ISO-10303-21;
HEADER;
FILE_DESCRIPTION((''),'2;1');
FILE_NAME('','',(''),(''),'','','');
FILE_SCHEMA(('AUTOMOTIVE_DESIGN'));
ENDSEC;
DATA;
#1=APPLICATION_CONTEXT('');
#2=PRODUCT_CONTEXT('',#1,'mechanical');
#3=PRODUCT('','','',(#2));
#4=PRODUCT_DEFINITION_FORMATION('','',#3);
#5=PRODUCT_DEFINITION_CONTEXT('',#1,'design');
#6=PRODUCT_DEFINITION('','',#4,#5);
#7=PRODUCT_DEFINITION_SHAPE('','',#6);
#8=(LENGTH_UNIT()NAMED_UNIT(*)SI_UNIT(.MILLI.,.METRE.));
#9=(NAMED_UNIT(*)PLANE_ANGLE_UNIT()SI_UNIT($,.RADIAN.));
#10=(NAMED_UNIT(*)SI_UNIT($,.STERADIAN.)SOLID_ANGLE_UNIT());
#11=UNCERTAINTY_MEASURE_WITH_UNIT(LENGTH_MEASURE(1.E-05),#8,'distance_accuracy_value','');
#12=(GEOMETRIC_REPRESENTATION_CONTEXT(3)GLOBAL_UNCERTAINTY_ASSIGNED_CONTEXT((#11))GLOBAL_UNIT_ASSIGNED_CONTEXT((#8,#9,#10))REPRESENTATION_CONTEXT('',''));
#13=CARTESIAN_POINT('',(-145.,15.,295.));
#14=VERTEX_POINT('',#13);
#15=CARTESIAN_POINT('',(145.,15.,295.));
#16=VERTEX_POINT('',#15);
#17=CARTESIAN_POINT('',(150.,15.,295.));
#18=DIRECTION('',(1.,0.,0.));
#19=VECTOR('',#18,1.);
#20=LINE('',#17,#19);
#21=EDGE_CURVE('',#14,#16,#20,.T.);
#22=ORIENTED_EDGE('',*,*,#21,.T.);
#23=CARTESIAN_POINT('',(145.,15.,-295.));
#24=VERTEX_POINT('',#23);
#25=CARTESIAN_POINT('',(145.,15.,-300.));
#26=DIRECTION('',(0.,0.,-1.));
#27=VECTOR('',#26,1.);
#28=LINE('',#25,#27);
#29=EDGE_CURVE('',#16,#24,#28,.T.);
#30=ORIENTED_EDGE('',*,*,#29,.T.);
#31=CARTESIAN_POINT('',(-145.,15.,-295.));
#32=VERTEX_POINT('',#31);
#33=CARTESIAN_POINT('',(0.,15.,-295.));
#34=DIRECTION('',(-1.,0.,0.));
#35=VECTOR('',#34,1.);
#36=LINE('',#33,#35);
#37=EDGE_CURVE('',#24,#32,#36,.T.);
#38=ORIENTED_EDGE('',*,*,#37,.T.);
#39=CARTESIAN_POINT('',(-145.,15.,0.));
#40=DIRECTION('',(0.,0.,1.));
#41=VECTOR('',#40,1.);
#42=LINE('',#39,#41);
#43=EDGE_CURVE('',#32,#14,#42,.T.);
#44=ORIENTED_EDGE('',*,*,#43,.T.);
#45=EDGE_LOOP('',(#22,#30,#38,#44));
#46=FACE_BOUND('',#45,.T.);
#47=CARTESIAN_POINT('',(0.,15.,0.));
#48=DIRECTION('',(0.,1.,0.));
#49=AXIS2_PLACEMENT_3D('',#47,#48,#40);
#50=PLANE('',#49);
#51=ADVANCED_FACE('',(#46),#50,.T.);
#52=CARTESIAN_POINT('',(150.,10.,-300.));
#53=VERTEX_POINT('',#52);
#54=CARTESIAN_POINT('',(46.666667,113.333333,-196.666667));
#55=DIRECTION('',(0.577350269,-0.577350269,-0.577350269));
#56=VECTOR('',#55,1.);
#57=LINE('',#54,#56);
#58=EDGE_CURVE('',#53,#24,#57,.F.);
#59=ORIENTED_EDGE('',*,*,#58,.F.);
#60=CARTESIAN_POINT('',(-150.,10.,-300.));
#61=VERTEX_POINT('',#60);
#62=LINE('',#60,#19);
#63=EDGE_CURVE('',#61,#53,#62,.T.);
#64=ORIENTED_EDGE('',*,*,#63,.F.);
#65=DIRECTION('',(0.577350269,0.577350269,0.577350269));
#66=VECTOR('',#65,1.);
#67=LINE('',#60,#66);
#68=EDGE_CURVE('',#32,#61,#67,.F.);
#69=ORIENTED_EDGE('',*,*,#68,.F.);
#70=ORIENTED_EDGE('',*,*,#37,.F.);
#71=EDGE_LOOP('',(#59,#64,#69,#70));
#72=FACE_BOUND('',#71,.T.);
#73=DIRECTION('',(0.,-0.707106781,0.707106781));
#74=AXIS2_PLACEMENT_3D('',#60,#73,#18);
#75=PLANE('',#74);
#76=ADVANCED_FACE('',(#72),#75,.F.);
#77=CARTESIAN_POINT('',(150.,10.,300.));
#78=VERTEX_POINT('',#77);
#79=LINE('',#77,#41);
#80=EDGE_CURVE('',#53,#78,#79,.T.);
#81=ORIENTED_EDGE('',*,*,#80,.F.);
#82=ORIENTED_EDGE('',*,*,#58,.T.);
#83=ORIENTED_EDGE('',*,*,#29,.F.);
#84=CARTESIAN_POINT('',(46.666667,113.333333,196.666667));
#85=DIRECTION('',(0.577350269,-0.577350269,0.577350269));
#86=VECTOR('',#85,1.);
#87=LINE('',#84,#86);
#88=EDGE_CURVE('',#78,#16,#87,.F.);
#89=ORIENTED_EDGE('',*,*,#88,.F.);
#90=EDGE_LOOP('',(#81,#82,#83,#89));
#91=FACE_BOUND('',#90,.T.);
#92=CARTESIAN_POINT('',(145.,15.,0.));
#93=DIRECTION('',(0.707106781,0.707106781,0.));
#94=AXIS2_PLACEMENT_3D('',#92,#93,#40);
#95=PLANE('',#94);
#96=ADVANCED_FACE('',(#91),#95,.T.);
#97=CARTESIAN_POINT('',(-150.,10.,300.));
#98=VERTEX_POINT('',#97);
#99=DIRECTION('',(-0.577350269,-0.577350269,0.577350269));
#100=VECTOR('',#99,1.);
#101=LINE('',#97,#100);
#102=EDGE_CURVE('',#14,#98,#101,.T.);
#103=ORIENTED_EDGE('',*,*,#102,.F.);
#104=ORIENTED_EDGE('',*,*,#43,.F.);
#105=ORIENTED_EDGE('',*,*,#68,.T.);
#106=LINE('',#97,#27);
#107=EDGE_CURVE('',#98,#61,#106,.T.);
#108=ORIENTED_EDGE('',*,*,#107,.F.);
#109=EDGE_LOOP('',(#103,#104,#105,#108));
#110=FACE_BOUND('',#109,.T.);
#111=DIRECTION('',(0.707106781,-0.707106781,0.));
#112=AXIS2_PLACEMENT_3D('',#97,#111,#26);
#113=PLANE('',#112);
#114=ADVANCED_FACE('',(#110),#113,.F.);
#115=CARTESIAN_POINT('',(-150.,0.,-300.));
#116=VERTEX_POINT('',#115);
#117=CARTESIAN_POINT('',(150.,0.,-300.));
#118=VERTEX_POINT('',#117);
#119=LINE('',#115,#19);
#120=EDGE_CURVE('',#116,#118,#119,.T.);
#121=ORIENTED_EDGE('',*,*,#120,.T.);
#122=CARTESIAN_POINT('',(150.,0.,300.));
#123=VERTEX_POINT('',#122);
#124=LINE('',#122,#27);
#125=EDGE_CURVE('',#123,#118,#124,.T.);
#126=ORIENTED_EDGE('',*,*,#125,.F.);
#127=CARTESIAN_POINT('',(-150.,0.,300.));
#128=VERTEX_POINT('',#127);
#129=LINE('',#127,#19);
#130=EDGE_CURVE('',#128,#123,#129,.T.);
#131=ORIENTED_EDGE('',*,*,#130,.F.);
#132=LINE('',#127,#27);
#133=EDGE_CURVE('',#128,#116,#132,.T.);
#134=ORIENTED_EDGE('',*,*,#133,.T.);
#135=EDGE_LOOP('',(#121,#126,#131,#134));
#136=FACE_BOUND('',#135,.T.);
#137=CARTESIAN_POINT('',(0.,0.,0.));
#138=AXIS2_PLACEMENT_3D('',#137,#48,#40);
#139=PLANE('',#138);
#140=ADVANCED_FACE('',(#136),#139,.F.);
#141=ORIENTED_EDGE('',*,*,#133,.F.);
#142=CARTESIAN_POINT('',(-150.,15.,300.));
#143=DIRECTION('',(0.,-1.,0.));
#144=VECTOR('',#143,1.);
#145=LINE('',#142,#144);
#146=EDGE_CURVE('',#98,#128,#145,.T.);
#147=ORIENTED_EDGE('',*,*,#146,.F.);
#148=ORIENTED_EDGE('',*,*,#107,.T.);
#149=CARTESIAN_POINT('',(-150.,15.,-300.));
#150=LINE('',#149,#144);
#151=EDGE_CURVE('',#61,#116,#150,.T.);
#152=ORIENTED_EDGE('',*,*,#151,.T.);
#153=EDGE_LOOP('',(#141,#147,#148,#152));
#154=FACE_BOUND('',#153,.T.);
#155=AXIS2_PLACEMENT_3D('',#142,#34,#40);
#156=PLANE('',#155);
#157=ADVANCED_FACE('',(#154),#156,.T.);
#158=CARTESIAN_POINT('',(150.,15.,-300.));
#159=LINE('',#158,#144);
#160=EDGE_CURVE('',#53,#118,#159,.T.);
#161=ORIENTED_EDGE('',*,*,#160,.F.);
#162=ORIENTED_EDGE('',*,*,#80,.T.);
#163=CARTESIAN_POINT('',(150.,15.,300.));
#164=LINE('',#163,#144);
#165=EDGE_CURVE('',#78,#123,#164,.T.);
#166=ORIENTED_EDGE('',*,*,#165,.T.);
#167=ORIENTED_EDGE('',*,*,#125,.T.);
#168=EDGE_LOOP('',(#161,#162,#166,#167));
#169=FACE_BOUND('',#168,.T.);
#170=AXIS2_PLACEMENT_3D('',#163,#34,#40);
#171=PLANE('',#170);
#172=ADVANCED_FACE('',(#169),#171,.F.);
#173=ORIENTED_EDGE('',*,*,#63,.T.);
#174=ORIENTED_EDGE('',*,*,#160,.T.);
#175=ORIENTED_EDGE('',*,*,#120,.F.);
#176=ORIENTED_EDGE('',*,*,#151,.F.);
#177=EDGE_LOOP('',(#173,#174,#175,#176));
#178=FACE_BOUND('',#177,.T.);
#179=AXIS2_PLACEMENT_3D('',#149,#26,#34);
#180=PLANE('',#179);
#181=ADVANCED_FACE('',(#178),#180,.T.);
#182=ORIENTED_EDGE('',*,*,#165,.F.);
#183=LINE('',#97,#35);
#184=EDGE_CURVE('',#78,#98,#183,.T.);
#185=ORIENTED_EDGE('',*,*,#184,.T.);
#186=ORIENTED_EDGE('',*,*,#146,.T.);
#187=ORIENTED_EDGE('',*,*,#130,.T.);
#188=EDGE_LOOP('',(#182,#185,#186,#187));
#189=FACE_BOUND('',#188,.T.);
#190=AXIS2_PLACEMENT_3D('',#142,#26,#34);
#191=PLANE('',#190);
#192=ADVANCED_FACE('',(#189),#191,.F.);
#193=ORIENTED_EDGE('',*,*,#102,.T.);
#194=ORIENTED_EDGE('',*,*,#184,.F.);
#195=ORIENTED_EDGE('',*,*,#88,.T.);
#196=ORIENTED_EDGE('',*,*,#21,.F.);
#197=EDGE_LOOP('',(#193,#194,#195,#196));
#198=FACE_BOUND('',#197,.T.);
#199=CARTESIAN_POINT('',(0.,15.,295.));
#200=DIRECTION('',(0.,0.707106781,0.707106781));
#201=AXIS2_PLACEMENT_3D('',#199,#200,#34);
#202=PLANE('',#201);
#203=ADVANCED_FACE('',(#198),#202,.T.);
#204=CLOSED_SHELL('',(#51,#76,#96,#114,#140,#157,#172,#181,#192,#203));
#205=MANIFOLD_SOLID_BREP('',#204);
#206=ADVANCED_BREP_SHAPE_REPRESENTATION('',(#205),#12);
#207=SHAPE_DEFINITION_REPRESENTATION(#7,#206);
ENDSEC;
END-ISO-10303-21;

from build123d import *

# Parameters (mm, degrees)
SKETCH1_W           = 300
SKETCH1_H           = 600
BOSS_EXTRUDE1_DEPTH = 15
CHAMFER1_SIZE       = 5


with BuildPart() as part:
    # Sketch1 → Boss-Extrude1 (new body)
    with BuildSketch(Plane(origin=(0, 0, 0), x_dir=(1, 0, 0), z_dir=(0, 1, 0))):
        Rectangle(SKETCH1_W, SKETCH1_H)
    extrude(amount=BOSS_EXTRUDE1_DEPTH)

    # Chamfer1
    chamfer1_edges = [part.edges().sort_by_distance(p)[0] for p in [
        (0, 15, -300),
        (-150, 15, 0),
        (0, 15, 300),
        (150, 15, 0),
    ]]
    chamfer(chamfer1_edges, length=CHAMFER1_SIZE)


solid = part.part
